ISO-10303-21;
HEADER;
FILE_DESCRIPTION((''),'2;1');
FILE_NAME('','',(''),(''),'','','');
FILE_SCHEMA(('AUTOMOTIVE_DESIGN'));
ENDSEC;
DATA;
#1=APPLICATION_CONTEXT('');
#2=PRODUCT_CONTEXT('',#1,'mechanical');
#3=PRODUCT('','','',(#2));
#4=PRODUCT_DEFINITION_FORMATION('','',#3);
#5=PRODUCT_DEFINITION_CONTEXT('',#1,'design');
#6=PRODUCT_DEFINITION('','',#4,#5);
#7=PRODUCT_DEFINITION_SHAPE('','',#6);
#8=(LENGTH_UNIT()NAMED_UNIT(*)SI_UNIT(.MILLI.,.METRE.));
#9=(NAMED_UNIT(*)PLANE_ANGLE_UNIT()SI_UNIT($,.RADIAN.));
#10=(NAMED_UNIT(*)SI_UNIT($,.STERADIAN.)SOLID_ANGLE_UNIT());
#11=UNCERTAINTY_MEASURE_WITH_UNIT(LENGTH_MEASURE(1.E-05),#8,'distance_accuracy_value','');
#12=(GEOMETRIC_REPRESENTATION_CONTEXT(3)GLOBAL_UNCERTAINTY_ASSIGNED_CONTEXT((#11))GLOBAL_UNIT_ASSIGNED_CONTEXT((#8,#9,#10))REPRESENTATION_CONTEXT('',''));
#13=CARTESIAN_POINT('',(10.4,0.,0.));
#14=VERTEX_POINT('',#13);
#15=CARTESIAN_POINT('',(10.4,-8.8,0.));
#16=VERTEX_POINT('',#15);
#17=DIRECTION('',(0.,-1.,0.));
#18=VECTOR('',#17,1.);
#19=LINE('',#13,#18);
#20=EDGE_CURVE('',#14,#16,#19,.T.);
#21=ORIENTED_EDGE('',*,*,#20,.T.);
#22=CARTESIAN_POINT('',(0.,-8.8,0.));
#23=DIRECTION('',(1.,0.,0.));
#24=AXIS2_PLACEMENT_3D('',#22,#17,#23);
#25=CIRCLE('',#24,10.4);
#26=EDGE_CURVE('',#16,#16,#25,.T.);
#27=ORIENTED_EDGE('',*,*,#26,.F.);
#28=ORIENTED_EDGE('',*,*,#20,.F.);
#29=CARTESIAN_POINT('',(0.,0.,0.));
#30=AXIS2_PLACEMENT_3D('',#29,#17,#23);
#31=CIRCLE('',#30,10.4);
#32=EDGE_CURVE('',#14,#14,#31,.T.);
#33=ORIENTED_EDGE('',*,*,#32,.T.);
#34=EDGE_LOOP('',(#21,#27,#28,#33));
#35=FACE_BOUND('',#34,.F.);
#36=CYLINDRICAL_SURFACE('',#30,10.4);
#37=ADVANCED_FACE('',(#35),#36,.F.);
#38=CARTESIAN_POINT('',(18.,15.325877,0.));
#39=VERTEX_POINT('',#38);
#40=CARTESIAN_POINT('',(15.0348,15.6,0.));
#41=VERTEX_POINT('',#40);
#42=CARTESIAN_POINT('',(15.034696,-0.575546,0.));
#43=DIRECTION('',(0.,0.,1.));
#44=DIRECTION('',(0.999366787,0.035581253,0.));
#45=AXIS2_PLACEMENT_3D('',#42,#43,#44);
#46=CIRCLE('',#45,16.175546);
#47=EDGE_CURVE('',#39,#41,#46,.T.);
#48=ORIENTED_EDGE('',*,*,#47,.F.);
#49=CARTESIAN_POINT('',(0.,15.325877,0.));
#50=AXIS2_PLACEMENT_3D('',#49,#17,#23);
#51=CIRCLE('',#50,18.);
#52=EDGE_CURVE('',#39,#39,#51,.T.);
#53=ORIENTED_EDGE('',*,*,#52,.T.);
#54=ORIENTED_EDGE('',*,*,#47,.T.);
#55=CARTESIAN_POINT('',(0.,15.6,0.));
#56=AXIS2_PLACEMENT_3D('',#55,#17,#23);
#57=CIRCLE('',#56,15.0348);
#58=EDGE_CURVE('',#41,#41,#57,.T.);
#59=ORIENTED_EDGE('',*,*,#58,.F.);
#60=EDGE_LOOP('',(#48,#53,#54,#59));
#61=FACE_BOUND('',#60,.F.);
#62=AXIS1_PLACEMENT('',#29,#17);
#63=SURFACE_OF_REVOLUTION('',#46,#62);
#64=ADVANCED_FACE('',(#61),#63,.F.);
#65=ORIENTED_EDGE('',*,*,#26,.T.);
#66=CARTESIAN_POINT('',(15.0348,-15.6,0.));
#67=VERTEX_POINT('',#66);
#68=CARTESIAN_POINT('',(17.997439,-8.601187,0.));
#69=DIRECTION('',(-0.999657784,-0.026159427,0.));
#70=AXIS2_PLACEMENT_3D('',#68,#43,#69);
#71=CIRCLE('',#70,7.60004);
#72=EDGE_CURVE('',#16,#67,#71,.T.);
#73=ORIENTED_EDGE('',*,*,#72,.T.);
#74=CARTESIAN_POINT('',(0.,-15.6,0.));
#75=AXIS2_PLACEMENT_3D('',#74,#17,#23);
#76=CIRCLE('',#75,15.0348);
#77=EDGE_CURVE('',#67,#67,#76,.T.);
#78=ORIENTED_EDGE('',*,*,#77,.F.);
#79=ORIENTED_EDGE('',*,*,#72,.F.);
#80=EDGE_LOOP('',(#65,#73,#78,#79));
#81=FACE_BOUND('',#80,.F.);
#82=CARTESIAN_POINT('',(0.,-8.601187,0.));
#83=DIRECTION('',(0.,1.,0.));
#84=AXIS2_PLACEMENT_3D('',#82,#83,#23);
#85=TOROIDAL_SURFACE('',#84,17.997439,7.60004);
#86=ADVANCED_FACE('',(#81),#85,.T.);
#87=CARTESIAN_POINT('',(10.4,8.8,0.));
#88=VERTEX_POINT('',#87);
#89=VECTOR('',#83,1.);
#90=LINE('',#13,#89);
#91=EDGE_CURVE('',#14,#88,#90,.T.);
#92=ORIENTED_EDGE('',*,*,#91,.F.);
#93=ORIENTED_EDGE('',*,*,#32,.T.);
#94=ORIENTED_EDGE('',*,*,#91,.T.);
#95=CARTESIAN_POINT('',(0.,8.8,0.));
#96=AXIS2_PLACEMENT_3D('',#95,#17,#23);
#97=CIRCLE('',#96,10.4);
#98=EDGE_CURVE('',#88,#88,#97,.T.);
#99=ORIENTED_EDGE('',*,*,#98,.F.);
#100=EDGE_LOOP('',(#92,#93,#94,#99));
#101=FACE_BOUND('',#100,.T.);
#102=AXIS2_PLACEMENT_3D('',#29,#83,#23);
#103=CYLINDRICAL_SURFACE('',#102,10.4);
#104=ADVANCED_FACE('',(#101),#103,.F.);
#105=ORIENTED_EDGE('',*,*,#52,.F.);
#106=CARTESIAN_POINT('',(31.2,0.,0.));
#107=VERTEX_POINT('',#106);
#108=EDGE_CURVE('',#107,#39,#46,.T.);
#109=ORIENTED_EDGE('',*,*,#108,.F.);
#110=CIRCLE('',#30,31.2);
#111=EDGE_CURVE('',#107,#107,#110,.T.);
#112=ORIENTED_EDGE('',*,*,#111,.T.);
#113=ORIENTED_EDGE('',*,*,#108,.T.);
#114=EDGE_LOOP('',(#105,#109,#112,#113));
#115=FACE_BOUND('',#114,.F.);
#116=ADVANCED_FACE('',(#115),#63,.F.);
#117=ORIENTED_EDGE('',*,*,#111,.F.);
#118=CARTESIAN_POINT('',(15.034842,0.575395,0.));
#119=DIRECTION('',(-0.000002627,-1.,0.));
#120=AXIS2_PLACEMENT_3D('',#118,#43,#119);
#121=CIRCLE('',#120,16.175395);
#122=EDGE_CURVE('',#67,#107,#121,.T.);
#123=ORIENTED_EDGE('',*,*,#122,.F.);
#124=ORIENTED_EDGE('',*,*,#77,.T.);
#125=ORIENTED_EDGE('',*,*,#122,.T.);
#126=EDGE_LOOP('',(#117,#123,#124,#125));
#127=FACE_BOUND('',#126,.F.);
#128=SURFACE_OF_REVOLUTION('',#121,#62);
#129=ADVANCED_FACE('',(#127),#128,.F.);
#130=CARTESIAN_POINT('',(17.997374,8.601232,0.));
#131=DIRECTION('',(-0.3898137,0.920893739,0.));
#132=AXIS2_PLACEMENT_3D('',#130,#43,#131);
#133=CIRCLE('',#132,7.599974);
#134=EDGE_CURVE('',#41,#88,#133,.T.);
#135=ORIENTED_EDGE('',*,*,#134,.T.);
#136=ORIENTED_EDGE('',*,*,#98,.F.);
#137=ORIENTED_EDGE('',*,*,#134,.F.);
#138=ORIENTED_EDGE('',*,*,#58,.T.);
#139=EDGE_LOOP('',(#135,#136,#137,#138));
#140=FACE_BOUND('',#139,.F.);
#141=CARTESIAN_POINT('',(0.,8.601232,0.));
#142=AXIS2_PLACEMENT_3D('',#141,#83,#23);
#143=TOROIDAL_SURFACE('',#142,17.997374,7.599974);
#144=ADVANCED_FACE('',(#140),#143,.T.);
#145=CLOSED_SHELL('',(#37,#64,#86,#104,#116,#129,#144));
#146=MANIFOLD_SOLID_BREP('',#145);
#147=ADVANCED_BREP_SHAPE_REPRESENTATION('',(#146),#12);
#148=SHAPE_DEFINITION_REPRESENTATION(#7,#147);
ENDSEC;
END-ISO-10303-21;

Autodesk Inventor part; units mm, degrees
ref_plane "YZ Plane" through (0, 0, 0) normal (1, 0, 0) x (0, 1, 0)
ref_plane "XZ Plane" through (0, 0, 0) normal (0, 1, 0) x (-1, 0, 0)
ref_plane "XY Plane" through (0, 0, 0) normal (0, 0, 1) x (1, 0, 0)
sketch "Sketch1" plane through (0, 0, 0) normal (0, 0, 1) x (1, 0, 0)
  line L0 (0, 0) -> (10.4, 0)
  line L1 (0, 0) -> (31.2, 0)
  line L2 (0, 0) -> (22.1, 0)
  line L3 (10.4, 0) -> (28.4, 0)
  line L4 (0, 0) -> (18, 0)
  line L5 (10.4, 0) -> (10.4, 8.8)
  arc A0 (15.0348, 15.6) -> (10.4, 8.8) centre (17.9974, 8.6012) ccw
  line L6 (18, 0) -> (18, 15.6)
  line L7 (18, 15.6) -> (15.0348, 15.6)
  arc A1 (31.2, 0) -> (15.0348, 15.6) centre (15.0348, -0.5755) ccw
  line L8 (10.4, 0) -> (10.4, -8.8)
  arc A2 (10.4, -8.8) -> (15.0348, -15.6) centre (17.9974, -8.6012) ccw
  arc A3 (15.0348, -15.6) -> (31.2, 0) centre (15.0348, 0.5755) ccw
  line L9 (0, 0) -> (0, 15.6)
  dimension "d0" = 10.4
  dimension "d1" = 31.2
  dimension "d4" = 18
  dimension "d5" = 8.8
  dimension "d6" = 15.6
revolve "Revolution1" add sketch "Sketch1" angle 360 about axis through (0, 0, 0) along (0, -1, 0) contours L5 A0 A1 L6 L1 | L1 A3 A2 L8 | L6 A1 L1
properties part number "8000_132uH_DCore_2layer_Tx_Filter_MPSv2_v1" material "ABS Plastic"
